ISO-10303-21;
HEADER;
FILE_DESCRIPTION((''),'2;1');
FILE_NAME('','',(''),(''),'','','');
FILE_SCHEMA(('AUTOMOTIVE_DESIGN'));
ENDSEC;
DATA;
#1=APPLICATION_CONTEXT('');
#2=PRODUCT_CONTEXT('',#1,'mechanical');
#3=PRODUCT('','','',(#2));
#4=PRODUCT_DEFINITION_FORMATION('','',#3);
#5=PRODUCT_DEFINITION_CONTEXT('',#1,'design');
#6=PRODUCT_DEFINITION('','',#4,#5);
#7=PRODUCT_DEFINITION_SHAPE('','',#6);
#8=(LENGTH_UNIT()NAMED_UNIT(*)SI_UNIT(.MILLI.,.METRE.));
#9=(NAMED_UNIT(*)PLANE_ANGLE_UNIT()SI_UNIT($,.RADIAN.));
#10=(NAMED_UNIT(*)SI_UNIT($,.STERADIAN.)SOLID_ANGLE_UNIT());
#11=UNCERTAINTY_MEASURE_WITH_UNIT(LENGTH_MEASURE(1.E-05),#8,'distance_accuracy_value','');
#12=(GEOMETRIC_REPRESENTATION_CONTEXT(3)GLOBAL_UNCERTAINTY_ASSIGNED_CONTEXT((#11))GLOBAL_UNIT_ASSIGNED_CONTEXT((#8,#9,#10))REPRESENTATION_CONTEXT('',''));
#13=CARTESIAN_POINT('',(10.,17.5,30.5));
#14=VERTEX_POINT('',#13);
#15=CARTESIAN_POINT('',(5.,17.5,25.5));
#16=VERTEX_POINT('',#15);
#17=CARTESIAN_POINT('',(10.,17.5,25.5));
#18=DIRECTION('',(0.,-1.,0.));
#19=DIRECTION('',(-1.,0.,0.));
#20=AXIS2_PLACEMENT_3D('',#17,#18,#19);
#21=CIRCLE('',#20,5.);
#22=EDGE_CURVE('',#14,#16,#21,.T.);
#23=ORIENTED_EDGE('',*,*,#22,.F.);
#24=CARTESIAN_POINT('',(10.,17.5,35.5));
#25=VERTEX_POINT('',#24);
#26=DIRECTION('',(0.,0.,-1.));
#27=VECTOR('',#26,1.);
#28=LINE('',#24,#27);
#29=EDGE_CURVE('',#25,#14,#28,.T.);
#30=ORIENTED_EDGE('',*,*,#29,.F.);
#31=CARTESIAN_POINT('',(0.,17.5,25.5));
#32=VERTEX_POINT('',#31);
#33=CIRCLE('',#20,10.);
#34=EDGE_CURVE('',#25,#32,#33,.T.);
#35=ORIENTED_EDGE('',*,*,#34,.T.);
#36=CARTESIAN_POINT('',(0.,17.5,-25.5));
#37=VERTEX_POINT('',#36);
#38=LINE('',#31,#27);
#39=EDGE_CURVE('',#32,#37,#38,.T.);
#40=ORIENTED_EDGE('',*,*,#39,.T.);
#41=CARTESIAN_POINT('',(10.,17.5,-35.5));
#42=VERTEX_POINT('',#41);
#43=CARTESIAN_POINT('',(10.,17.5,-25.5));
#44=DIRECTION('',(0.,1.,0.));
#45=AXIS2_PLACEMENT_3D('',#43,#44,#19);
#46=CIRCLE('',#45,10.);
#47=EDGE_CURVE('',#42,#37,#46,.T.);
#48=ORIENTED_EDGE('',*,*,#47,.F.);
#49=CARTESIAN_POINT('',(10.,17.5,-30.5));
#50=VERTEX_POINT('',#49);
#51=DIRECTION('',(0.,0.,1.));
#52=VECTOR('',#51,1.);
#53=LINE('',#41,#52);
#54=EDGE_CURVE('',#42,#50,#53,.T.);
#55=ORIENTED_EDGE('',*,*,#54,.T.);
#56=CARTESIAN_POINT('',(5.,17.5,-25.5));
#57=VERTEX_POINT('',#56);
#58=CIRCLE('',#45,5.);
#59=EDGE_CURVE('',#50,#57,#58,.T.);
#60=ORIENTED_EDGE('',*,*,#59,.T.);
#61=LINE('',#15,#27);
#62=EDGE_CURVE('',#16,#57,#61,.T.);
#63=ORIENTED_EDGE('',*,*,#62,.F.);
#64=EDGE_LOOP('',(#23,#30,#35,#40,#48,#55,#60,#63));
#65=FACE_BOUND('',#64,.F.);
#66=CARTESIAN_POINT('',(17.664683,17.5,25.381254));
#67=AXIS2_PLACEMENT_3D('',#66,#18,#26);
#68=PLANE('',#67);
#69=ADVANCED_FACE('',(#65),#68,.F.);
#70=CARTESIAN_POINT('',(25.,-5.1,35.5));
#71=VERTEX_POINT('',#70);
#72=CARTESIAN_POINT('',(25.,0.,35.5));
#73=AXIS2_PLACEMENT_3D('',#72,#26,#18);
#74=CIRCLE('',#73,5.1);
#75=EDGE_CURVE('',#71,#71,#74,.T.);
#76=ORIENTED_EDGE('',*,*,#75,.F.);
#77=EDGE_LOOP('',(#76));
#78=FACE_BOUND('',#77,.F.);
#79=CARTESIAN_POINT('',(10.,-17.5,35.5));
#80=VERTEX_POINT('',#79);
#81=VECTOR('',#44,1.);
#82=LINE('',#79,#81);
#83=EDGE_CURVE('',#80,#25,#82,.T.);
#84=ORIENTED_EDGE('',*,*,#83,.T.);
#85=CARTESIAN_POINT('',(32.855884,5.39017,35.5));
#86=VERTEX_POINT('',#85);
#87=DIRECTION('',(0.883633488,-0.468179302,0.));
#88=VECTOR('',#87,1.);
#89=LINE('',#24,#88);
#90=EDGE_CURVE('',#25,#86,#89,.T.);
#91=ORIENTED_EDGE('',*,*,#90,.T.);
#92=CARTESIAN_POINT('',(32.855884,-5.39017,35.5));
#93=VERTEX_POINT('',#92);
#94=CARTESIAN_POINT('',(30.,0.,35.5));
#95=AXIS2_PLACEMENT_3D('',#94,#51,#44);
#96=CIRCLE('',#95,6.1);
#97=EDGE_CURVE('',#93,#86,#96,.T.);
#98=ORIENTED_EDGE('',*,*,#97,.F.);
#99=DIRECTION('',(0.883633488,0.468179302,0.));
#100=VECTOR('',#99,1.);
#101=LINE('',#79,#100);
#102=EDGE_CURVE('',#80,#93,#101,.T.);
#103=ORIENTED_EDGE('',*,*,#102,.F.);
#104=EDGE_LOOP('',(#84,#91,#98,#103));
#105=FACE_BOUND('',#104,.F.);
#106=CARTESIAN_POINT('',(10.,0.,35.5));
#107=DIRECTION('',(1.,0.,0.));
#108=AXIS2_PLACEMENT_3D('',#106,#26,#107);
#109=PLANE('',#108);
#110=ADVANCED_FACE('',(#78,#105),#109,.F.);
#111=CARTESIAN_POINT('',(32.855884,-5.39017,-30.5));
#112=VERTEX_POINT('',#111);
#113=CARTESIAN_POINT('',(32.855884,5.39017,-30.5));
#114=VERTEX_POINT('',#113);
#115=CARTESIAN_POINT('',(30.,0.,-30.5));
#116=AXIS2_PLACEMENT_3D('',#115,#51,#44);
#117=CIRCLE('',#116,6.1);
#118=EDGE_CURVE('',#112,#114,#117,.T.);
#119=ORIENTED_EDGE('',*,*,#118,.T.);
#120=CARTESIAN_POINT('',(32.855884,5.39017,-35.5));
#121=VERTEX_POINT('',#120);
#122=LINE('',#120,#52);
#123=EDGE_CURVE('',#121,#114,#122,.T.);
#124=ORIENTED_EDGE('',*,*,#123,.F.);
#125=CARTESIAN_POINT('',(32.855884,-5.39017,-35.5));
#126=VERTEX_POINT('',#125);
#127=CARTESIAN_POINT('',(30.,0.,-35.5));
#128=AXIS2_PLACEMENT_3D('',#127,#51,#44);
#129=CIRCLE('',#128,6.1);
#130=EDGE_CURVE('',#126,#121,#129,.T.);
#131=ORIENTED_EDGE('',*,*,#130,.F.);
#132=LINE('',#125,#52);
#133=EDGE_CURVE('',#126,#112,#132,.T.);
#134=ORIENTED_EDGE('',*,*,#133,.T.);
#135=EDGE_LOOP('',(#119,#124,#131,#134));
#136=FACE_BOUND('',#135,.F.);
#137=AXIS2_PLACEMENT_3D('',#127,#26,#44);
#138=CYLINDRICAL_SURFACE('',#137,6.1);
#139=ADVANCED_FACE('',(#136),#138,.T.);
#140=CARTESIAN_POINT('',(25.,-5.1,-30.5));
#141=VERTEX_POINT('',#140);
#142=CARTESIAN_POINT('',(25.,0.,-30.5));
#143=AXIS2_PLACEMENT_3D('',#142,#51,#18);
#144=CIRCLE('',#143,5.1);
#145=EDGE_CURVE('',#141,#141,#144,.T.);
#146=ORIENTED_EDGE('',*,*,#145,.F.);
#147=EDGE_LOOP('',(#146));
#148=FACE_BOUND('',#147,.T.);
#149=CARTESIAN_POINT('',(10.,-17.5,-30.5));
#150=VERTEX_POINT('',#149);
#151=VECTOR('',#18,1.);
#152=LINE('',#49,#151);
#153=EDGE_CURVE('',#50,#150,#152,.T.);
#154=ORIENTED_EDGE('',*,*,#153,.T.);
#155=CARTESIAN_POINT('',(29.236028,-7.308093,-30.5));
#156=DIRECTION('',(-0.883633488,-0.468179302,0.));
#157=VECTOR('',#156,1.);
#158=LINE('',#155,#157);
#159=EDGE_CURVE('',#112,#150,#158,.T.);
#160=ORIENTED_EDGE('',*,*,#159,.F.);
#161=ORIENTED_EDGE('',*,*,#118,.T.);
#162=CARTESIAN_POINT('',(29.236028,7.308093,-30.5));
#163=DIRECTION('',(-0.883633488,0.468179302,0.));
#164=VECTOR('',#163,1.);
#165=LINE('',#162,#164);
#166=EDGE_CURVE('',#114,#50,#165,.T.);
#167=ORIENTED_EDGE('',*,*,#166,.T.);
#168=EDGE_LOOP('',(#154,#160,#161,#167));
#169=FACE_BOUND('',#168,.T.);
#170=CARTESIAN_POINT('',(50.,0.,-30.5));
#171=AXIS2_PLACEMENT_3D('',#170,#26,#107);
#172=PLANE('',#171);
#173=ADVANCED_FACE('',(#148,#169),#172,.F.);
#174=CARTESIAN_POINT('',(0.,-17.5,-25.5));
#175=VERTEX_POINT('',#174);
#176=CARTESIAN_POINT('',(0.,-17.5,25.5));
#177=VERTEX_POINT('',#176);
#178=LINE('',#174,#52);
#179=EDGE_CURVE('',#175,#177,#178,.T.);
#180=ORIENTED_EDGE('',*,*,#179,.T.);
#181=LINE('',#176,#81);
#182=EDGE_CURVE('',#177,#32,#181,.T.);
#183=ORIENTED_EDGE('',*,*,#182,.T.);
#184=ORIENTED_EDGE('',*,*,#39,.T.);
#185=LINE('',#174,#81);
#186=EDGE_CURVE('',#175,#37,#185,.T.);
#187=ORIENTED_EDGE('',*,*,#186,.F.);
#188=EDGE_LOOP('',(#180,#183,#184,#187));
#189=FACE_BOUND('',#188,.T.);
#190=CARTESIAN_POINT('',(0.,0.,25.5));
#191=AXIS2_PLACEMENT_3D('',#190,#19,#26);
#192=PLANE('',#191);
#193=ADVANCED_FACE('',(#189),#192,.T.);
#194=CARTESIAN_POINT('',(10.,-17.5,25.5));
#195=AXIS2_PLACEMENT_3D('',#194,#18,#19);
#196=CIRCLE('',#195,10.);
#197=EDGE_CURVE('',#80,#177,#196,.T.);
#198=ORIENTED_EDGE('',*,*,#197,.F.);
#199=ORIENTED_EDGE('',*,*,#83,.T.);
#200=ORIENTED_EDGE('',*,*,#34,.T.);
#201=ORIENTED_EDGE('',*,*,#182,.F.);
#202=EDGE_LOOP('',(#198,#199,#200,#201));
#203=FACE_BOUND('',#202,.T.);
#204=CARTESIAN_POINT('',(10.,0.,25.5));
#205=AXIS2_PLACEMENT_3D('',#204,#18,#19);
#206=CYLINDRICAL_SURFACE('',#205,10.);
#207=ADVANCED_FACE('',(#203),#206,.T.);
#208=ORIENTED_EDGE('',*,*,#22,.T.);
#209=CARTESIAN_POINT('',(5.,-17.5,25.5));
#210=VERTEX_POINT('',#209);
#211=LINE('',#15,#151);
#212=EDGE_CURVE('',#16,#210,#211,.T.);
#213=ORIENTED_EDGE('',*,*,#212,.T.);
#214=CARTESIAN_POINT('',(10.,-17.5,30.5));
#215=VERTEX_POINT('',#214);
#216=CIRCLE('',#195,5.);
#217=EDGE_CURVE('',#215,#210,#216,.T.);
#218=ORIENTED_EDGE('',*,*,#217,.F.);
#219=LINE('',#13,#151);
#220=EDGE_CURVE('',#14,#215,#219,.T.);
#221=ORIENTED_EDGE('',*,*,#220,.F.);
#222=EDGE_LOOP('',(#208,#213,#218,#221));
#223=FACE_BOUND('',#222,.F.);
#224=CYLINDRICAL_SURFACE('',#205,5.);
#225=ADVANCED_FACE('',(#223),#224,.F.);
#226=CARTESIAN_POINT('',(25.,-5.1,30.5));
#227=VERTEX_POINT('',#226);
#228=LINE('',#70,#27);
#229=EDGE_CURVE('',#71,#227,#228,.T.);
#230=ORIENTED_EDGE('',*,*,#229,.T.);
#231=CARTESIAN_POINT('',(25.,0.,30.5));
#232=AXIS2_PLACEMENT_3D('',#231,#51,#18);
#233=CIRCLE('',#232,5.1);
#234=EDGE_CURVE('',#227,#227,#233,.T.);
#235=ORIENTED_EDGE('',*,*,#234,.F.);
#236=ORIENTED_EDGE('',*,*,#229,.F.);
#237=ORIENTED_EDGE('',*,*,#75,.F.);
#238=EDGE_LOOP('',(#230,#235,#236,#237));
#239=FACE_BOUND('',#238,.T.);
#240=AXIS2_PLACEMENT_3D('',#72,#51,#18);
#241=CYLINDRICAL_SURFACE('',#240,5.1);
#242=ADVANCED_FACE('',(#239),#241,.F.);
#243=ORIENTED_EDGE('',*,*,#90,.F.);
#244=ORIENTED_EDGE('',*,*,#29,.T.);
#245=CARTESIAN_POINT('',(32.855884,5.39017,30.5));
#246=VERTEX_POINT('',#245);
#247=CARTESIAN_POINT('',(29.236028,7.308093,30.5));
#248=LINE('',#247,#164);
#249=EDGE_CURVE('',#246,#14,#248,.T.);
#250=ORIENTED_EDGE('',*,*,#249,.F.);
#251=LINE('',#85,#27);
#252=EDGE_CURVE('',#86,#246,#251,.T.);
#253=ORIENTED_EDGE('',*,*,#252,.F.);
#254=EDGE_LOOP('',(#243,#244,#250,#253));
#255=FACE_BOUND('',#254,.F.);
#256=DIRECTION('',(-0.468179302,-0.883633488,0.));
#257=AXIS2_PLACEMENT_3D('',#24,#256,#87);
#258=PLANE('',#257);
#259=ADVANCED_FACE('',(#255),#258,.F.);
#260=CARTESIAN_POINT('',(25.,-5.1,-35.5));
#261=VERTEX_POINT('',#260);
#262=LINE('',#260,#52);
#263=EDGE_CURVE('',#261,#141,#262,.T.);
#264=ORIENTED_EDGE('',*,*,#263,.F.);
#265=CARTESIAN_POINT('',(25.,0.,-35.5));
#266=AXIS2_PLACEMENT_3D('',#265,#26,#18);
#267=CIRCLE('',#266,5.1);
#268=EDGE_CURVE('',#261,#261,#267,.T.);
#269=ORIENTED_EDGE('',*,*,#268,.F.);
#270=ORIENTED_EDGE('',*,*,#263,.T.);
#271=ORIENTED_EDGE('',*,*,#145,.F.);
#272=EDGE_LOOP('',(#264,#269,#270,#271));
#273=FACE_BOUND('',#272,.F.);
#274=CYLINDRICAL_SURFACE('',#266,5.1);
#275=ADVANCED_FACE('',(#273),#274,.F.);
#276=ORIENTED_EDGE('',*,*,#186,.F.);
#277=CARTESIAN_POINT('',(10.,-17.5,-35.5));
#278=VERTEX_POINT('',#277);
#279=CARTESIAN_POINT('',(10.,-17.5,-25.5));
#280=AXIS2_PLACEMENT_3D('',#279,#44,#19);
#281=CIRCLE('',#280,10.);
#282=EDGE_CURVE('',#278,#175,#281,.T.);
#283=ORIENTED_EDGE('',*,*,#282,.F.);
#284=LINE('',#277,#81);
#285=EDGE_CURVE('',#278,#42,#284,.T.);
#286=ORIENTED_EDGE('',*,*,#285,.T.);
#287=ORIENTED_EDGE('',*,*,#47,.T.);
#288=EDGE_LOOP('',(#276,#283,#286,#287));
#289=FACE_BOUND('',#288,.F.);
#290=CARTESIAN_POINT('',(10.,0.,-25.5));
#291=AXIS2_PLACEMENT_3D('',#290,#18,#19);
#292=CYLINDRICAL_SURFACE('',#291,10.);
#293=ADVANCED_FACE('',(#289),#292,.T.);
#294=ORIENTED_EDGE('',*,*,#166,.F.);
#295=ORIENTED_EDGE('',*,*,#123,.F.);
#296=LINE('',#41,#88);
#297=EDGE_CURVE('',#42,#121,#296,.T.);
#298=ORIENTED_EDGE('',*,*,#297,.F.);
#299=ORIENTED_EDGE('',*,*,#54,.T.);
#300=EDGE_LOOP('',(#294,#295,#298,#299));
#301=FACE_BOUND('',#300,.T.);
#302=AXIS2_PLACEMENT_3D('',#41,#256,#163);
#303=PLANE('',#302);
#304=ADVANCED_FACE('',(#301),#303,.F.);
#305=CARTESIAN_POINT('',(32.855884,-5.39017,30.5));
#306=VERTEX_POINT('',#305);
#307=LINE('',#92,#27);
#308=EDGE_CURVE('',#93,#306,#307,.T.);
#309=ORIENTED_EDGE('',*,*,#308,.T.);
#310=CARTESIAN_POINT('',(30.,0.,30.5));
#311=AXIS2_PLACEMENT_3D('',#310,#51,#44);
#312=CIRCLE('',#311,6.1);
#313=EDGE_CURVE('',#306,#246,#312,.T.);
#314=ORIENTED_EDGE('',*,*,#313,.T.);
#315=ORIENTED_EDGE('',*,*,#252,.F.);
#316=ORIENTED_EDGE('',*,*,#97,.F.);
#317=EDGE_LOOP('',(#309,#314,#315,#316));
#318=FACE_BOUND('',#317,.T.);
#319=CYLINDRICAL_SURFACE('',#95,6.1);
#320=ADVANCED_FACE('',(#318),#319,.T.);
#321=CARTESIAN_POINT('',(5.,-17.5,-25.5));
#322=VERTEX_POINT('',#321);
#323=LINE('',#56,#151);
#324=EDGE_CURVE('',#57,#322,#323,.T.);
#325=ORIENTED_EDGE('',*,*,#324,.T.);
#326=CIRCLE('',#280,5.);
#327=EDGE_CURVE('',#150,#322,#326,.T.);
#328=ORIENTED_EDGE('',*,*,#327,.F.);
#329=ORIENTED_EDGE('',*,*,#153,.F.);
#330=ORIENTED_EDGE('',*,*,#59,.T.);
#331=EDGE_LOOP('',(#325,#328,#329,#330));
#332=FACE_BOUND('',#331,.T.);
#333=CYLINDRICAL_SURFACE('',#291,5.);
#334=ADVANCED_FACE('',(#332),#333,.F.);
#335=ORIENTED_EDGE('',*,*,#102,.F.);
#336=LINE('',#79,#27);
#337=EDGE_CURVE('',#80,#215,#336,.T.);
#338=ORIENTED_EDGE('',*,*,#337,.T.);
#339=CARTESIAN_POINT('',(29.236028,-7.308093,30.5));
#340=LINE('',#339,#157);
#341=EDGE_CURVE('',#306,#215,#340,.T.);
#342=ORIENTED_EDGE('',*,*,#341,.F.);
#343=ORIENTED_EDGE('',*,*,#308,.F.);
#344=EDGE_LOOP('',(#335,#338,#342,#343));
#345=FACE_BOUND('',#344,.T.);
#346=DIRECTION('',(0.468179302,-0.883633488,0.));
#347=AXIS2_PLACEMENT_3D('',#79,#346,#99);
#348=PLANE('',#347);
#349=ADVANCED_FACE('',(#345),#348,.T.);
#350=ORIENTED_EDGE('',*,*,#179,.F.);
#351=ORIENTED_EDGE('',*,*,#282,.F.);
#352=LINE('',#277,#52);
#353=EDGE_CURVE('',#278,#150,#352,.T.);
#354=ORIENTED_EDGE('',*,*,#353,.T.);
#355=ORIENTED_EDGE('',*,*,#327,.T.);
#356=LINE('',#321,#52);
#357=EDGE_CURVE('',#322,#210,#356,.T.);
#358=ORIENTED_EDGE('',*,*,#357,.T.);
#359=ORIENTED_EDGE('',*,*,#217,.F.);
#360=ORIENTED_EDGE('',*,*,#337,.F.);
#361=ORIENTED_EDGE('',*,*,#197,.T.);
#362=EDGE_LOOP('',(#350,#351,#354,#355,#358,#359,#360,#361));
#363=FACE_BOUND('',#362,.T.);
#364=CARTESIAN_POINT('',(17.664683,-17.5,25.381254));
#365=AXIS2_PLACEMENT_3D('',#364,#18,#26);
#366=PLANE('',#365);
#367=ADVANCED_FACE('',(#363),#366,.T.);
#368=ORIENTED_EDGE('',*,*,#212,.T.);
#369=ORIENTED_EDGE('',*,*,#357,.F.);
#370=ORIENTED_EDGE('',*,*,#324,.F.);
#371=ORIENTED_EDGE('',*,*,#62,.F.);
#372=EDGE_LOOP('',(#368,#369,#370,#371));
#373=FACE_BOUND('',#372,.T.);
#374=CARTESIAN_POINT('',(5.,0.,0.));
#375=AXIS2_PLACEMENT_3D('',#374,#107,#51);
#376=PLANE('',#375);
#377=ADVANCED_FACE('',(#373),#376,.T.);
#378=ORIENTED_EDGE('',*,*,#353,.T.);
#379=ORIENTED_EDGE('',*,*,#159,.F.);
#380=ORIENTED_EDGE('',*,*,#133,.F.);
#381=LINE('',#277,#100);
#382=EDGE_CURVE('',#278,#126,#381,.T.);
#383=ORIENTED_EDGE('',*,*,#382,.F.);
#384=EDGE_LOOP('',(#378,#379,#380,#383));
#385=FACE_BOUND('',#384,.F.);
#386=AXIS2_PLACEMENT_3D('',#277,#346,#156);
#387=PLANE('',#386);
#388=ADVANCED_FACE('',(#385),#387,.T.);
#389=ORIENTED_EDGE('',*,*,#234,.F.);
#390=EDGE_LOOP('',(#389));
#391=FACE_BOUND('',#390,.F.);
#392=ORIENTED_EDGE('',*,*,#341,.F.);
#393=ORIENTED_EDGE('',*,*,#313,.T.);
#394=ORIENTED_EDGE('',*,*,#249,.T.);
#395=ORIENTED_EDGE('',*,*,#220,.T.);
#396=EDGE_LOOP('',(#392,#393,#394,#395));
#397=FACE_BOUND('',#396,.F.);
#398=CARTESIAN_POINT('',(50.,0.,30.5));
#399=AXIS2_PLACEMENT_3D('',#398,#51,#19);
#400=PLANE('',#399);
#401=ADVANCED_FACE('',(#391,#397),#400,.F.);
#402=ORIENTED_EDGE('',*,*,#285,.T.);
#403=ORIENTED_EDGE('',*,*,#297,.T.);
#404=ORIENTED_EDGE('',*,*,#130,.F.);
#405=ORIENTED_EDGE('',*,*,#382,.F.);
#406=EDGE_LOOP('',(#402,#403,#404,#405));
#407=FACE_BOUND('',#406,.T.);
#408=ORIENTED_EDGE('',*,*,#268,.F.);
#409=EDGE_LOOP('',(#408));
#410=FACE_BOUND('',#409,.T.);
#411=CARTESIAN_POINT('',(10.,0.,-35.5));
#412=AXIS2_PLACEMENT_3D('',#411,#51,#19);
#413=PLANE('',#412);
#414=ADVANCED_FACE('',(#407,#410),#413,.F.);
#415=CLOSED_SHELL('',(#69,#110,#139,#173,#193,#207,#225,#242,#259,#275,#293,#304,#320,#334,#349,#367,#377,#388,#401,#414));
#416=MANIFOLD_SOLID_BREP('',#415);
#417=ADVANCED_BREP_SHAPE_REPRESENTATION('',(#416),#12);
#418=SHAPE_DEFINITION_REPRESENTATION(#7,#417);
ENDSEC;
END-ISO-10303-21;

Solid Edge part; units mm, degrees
sketch "Sketch1" plane through (0, 0, 0) normal (0, 1, 0) x (-1, 0, 0)
  line L0 (0, 25.5) -> (0, 0)
  line L1 (0, 0) -> (-5, 0)
  line L2 (-5, 0) -> (-5, 25.5)
  arc A0 (-10, 30.5) -> (-5, 25.5) centre (-10, 25.5) cw
  line L3 (-50, 30.5) -> (-10, 30.5)
  line L4 (-50, 35.5) -> (-50, 30.5)
  line L5 (-10, 35.5) -> (-50, 35.5)
  arc A1 (-10, 35.5) -> (0, 25.5) centre (-10, 25.5) cw
  dimension "D1" = 10
extrude "Protrusion1" add sketch "Sketch1" along normal mid plane 35
hole "Hole_1" at (25, 0, 35.5) direction (0, 0, -1) diameter 10.2 end up to next
sketch "Sketch2" plane through (40, 0, 35.5) normal (0, 0, 1) x (0, 1, 0)
  line L0 (-17.5, 30) -> (-5.3902, 7.1441)
  arc A0 (-5.3902, 7.1441) -> (5.3902, 7.1441) centre (0, 10) ccw
  line L1 (17.5, 30) -> (5.3902, 7.1441)
extrude "Cutout1" cut sketch "Sketch2" against normal up to next material side at (21.4514, -11.4893, 35.5)
mirror "Mirror1" about plane through (5, 0, 0) normal (0, 0, -1) of "Protrusion1", "Cutout1", "Hole_1"
